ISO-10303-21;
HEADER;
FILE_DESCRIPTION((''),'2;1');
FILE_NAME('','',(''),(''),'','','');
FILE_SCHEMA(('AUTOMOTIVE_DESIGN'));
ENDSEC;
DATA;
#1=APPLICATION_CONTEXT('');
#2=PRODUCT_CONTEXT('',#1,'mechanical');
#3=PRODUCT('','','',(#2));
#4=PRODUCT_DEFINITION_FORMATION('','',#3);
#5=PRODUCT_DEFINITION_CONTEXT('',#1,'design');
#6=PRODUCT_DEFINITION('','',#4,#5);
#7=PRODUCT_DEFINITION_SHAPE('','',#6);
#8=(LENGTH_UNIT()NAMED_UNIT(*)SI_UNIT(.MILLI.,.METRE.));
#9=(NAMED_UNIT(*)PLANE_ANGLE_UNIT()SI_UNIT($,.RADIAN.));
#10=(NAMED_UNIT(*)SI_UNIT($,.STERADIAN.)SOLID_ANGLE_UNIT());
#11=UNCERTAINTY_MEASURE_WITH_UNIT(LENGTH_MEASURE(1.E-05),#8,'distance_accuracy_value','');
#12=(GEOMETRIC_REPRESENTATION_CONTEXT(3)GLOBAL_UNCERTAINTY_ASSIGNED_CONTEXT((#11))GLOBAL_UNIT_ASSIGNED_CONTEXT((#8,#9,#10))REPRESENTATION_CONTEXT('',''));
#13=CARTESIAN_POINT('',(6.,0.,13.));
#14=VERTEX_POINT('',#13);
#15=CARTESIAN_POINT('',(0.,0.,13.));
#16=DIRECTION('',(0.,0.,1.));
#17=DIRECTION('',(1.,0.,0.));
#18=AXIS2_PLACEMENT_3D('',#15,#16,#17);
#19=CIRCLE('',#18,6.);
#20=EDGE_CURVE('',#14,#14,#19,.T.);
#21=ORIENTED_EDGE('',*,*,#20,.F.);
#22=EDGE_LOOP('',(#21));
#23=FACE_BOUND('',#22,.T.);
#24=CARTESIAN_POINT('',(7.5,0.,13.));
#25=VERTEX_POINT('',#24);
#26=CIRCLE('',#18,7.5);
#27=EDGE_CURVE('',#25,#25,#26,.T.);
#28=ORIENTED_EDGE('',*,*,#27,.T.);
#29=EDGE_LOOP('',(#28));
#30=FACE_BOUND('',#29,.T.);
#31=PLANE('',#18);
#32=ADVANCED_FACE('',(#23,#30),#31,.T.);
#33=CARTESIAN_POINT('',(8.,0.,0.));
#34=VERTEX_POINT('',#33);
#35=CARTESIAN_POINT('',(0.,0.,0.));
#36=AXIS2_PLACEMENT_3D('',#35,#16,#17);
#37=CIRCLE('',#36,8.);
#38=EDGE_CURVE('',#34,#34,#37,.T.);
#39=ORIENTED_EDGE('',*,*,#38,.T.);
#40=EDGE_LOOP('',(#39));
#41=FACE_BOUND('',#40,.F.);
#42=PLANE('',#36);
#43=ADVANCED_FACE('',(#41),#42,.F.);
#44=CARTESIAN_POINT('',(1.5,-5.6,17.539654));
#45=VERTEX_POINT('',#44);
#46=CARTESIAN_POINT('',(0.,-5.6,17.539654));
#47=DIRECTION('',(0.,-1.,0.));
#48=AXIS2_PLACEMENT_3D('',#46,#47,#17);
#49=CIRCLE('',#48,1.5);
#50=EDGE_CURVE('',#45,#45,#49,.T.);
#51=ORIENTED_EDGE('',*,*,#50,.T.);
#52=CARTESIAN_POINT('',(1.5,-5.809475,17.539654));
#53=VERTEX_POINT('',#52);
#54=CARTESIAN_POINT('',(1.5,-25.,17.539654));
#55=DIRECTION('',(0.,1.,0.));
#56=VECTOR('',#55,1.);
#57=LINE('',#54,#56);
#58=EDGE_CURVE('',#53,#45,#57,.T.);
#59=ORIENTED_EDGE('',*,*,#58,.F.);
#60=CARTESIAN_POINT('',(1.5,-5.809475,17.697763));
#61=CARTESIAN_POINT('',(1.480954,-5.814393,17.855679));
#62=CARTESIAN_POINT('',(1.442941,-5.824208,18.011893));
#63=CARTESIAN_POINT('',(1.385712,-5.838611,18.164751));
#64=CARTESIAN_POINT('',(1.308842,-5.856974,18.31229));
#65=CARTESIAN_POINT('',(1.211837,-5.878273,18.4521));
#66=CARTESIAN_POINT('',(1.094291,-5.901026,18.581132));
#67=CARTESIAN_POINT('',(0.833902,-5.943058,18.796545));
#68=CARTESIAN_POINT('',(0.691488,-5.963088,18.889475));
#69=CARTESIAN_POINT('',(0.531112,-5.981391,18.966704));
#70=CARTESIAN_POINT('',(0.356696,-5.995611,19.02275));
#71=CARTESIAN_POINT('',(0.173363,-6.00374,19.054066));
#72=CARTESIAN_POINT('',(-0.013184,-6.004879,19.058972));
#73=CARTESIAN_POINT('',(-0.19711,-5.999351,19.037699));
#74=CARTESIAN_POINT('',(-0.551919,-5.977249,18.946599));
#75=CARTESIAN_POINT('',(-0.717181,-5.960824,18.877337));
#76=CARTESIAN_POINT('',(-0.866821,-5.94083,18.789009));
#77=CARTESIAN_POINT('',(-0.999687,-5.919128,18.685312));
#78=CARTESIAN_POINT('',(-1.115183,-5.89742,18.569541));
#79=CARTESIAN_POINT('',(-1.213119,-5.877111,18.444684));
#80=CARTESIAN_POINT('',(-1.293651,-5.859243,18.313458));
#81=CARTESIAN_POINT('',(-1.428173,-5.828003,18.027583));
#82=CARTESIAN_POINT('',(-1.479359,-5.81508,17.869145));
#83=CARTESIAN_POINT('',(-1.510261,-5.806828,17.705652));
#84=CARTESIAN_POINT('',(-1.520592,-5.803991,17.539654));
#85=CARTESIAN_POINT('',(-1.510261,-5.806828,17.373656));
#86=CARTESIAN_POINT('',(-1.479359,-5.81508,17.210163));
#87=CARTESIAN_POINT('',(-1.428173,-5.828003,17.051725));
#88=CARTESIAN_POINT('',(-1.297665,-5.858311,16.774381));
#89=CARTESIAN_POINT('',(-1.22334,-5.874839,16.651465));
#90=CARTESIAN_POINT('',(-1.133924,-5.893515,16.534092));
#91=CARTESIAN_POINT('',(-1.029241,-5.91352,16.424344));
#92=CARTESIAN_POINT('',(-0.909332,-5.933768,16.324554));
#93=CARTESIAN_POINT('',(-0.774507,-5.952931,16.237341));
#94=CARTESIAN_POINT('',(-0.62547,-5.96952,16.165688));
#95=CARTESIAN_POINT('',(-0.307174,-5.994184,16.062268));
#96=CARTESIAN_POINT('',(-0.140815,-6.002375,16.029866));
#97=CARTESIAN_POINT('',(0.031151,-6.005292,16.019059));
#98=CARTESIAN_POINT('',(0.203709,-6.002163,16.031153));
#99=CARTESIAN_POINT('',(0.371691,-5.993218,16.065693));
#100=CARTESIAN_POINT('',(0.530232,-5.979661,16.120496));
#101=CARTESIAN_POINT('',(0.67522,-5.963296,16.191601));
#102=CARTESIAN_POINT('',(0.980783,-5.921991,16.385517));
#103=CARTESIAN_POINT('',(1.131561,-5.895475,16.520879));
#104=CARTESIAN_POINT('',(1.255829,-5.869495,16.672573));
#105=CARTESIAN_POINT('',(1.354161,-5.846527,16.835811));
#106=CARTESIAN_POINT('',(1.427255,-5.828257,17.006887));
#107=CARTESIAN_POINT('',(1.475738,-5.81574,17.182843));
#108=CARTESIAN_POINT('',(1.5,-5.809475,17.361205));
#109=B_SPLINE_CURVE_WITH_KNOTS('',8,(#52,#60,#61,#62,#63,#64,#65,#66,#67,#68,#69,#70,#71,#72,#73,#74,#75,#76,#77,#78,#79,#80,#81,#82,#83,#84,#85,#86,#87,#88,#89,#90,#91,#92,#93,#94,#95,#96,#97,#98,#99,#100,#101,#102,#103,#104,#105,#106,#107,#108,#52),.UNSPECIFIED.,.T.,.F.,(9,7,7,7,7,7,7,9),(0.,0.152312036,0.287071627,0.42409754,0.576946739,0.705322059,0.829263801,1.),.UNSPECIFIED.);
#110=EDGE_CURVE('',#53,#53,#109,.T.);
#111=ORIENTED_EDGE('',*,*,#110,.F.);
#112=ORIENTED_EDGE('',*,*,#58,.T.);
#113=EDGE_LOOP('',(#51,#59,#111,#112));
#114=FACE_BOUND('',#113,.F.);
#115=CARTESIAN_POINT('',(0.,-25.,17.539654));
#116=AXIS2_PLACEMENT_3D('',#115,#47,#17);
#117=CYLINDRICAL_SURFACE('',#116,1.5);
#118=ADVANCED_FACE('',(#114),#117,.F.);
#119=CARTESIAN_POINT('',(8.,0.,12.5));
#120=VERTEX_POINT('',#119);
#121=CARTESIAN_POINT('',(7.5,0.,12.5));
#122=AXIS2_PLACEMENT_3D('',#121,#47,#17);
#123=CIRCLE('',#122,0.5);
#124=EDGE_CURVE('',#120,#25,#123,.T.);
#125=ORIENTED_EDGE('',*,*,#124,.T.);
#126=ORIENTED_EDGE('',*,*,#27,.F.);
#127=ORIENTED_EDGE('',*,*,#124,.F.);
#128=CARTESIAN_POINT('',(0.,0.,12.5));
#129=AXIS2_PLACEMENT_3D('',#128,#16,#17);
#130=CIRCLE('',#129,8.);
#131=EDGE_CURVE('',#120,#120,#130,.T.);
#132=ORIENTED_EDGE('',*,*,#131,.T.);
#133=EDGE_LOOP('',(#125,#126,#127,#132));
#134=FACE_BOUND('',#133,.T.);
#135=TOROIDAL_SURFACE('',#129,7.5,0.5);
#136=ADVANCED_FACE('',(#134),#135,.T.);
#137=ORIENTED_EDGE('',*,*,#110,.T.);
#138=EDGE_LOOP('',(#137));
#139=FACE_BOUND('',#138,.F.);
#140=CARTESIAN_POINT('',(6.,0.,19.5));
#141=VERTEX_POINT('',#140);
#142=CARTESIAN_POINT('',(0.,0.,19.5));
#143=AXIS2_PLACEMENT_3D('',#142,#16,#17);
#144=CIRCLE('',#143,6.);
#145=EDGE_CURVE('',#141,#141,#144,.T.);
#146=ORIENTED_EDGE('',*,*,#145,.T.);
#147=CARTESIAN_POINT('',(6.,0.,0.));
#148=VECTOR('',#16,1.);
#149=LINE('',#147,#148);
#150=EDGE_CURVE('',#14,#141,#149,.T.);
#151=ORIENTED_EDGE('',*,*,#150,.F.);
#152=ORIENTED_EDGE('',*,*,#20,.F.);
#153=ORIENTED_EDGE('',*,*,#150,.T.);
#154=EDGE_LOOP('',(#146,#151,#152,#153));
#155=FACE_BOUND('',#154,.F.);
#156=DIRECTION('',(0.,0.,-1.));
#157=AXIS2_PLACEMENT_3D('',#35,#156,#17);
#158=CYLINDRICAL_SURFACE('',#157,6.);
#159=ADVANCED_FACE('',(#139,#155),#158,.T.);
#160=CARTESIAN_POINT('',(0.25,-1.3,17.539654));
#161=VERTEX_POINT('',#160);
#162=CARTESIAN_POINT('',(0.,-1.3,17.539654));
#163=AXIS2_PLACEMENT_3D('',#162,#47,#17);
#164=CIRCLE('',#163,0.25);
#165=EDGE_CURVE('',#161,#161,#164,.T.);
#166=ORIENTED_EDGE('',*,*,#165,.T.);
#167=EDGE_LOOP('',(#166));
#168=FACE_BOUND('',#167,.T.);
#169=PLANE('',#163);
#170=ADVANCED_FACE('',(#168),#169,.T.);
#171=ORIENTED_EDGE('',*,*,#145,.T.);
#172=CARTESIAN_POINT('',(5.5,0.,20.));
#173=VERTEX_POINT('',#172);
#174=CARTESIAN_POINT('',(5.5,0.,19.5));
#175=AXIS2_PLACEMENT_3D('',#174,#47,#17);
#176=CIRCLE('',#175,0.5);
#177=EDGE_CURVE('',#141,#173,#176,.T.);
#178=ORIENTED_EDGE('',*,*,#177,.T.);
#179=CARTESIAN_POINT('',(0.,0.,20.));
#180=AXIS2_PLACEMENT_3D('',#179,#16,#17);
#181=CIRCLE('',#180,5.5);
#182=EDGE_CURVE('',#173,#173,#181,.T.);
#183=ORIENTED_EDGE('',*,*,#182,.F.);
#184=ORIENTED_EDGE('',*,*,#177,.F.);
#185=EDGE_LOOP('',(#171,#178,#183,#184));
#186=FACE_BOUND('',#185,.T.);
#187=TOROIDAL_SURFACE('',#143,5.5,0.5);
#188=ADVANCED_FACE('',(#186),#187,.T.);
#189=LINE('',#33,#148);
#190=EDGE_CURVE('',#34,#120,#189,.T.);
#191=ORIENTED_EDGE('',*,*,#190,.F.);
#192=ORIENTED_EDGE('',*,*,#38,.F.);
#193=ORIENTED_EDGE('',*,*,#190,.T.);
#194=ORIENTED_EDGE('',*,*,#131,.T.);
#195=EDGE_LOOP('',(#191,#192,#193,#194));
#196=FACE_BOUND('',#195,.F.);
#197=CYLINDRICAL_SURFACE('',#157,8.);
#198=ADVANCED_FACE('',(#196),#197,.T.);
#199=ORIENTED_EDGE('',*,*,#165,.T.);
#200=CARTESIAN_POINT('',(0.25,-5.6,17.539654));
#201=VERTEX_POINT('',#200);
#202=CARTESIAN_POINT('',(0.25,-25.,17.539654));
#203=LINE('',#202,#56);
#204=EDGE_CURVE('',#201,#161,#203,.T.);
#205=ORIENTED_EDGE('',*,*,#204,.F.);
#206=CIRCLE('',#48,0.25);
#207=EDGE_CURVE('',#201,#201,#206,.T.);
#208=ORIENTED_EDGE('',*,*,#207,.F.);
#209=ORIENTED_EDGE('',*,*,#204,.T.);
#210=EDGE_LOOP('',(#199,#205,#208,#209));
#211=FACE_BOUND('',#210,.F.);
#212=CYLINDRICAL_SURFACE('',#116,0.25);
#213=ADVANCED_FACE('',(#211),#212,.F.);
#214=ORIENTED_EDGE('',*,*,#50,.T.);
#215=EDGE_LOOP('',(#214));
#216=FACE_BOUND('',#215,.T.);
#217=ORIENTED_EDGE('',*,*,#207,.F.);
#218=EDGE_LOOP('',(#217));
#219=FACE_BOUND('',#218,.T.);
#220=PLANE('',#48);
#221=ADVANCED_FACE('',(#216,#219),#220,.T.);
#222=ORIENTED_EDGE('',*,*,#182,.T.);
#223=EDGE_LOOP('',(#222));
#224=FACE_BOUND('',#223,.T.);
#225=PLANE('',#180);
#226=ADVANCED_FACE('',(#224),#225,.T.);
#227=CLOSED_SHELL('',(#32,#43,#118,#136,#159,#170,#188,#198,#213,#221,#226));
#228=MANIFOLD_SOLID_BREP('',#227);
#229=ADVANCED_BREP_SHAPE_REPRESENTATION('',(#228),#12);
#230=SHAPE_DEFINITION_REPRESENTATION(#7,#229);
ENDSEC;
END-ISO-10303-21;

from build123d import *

# Parameters (mm, degrees)
F0_R     = 6
F1_DEPTH = 20
F0_R_2   = 8
F2_DEPTH = 13
F4_R     = 0.25
F5_DEPTH = 23.7
F4_R_2   = 1.5
F6_DEPTH = 19.4
F7_R     = 0.5


with BuildPart() as f1:
    # F0 (on Top) → F1 (new body)
    with BuildSketch(Plane.XY):
        Circle(F0_R)
    extrude(amount=F1_DEPTH)

    # F0 (on Top) → F2 (join)
    with BuildSketch(Plane.XY):
        Circle(F0_R_2)
        Circle(F0_R, mode=Mode.SUBTRACT)
    extrude(amount=F2_DEPTH)

    # F4 (on offset) → F5 (cut)
    with BuildSketch(Plane.XZ.offset(25)):
        with Locations((0, 17.539654)):
            Circle(F4_R)
    extrude(amount=-F5_DEPTH, mode=Mode.SUBTRACT)

    # F4 (on offset) → F6 (cut)
    with BuildSketch(Plane.XZ.offset(25)):
        with Locations((0, 17.539654)):
            Circle(F4_R_2)
        with Locations((0, 17.539654)):
            Circle(F4_R, mode=Mode.SUBTRACT)
    extrude(amount=-F6_DEPTH, mode=Mode.SUBTRACT)

    # F7
    f7_edges = [f1.edges().sort_by_distance(p)[0] for p in [
        (-8, 0, 13),
        (-6, 0, 20),
    ]]
    fillet(f7_edges, radius=F7_R)


solid = f1.part
